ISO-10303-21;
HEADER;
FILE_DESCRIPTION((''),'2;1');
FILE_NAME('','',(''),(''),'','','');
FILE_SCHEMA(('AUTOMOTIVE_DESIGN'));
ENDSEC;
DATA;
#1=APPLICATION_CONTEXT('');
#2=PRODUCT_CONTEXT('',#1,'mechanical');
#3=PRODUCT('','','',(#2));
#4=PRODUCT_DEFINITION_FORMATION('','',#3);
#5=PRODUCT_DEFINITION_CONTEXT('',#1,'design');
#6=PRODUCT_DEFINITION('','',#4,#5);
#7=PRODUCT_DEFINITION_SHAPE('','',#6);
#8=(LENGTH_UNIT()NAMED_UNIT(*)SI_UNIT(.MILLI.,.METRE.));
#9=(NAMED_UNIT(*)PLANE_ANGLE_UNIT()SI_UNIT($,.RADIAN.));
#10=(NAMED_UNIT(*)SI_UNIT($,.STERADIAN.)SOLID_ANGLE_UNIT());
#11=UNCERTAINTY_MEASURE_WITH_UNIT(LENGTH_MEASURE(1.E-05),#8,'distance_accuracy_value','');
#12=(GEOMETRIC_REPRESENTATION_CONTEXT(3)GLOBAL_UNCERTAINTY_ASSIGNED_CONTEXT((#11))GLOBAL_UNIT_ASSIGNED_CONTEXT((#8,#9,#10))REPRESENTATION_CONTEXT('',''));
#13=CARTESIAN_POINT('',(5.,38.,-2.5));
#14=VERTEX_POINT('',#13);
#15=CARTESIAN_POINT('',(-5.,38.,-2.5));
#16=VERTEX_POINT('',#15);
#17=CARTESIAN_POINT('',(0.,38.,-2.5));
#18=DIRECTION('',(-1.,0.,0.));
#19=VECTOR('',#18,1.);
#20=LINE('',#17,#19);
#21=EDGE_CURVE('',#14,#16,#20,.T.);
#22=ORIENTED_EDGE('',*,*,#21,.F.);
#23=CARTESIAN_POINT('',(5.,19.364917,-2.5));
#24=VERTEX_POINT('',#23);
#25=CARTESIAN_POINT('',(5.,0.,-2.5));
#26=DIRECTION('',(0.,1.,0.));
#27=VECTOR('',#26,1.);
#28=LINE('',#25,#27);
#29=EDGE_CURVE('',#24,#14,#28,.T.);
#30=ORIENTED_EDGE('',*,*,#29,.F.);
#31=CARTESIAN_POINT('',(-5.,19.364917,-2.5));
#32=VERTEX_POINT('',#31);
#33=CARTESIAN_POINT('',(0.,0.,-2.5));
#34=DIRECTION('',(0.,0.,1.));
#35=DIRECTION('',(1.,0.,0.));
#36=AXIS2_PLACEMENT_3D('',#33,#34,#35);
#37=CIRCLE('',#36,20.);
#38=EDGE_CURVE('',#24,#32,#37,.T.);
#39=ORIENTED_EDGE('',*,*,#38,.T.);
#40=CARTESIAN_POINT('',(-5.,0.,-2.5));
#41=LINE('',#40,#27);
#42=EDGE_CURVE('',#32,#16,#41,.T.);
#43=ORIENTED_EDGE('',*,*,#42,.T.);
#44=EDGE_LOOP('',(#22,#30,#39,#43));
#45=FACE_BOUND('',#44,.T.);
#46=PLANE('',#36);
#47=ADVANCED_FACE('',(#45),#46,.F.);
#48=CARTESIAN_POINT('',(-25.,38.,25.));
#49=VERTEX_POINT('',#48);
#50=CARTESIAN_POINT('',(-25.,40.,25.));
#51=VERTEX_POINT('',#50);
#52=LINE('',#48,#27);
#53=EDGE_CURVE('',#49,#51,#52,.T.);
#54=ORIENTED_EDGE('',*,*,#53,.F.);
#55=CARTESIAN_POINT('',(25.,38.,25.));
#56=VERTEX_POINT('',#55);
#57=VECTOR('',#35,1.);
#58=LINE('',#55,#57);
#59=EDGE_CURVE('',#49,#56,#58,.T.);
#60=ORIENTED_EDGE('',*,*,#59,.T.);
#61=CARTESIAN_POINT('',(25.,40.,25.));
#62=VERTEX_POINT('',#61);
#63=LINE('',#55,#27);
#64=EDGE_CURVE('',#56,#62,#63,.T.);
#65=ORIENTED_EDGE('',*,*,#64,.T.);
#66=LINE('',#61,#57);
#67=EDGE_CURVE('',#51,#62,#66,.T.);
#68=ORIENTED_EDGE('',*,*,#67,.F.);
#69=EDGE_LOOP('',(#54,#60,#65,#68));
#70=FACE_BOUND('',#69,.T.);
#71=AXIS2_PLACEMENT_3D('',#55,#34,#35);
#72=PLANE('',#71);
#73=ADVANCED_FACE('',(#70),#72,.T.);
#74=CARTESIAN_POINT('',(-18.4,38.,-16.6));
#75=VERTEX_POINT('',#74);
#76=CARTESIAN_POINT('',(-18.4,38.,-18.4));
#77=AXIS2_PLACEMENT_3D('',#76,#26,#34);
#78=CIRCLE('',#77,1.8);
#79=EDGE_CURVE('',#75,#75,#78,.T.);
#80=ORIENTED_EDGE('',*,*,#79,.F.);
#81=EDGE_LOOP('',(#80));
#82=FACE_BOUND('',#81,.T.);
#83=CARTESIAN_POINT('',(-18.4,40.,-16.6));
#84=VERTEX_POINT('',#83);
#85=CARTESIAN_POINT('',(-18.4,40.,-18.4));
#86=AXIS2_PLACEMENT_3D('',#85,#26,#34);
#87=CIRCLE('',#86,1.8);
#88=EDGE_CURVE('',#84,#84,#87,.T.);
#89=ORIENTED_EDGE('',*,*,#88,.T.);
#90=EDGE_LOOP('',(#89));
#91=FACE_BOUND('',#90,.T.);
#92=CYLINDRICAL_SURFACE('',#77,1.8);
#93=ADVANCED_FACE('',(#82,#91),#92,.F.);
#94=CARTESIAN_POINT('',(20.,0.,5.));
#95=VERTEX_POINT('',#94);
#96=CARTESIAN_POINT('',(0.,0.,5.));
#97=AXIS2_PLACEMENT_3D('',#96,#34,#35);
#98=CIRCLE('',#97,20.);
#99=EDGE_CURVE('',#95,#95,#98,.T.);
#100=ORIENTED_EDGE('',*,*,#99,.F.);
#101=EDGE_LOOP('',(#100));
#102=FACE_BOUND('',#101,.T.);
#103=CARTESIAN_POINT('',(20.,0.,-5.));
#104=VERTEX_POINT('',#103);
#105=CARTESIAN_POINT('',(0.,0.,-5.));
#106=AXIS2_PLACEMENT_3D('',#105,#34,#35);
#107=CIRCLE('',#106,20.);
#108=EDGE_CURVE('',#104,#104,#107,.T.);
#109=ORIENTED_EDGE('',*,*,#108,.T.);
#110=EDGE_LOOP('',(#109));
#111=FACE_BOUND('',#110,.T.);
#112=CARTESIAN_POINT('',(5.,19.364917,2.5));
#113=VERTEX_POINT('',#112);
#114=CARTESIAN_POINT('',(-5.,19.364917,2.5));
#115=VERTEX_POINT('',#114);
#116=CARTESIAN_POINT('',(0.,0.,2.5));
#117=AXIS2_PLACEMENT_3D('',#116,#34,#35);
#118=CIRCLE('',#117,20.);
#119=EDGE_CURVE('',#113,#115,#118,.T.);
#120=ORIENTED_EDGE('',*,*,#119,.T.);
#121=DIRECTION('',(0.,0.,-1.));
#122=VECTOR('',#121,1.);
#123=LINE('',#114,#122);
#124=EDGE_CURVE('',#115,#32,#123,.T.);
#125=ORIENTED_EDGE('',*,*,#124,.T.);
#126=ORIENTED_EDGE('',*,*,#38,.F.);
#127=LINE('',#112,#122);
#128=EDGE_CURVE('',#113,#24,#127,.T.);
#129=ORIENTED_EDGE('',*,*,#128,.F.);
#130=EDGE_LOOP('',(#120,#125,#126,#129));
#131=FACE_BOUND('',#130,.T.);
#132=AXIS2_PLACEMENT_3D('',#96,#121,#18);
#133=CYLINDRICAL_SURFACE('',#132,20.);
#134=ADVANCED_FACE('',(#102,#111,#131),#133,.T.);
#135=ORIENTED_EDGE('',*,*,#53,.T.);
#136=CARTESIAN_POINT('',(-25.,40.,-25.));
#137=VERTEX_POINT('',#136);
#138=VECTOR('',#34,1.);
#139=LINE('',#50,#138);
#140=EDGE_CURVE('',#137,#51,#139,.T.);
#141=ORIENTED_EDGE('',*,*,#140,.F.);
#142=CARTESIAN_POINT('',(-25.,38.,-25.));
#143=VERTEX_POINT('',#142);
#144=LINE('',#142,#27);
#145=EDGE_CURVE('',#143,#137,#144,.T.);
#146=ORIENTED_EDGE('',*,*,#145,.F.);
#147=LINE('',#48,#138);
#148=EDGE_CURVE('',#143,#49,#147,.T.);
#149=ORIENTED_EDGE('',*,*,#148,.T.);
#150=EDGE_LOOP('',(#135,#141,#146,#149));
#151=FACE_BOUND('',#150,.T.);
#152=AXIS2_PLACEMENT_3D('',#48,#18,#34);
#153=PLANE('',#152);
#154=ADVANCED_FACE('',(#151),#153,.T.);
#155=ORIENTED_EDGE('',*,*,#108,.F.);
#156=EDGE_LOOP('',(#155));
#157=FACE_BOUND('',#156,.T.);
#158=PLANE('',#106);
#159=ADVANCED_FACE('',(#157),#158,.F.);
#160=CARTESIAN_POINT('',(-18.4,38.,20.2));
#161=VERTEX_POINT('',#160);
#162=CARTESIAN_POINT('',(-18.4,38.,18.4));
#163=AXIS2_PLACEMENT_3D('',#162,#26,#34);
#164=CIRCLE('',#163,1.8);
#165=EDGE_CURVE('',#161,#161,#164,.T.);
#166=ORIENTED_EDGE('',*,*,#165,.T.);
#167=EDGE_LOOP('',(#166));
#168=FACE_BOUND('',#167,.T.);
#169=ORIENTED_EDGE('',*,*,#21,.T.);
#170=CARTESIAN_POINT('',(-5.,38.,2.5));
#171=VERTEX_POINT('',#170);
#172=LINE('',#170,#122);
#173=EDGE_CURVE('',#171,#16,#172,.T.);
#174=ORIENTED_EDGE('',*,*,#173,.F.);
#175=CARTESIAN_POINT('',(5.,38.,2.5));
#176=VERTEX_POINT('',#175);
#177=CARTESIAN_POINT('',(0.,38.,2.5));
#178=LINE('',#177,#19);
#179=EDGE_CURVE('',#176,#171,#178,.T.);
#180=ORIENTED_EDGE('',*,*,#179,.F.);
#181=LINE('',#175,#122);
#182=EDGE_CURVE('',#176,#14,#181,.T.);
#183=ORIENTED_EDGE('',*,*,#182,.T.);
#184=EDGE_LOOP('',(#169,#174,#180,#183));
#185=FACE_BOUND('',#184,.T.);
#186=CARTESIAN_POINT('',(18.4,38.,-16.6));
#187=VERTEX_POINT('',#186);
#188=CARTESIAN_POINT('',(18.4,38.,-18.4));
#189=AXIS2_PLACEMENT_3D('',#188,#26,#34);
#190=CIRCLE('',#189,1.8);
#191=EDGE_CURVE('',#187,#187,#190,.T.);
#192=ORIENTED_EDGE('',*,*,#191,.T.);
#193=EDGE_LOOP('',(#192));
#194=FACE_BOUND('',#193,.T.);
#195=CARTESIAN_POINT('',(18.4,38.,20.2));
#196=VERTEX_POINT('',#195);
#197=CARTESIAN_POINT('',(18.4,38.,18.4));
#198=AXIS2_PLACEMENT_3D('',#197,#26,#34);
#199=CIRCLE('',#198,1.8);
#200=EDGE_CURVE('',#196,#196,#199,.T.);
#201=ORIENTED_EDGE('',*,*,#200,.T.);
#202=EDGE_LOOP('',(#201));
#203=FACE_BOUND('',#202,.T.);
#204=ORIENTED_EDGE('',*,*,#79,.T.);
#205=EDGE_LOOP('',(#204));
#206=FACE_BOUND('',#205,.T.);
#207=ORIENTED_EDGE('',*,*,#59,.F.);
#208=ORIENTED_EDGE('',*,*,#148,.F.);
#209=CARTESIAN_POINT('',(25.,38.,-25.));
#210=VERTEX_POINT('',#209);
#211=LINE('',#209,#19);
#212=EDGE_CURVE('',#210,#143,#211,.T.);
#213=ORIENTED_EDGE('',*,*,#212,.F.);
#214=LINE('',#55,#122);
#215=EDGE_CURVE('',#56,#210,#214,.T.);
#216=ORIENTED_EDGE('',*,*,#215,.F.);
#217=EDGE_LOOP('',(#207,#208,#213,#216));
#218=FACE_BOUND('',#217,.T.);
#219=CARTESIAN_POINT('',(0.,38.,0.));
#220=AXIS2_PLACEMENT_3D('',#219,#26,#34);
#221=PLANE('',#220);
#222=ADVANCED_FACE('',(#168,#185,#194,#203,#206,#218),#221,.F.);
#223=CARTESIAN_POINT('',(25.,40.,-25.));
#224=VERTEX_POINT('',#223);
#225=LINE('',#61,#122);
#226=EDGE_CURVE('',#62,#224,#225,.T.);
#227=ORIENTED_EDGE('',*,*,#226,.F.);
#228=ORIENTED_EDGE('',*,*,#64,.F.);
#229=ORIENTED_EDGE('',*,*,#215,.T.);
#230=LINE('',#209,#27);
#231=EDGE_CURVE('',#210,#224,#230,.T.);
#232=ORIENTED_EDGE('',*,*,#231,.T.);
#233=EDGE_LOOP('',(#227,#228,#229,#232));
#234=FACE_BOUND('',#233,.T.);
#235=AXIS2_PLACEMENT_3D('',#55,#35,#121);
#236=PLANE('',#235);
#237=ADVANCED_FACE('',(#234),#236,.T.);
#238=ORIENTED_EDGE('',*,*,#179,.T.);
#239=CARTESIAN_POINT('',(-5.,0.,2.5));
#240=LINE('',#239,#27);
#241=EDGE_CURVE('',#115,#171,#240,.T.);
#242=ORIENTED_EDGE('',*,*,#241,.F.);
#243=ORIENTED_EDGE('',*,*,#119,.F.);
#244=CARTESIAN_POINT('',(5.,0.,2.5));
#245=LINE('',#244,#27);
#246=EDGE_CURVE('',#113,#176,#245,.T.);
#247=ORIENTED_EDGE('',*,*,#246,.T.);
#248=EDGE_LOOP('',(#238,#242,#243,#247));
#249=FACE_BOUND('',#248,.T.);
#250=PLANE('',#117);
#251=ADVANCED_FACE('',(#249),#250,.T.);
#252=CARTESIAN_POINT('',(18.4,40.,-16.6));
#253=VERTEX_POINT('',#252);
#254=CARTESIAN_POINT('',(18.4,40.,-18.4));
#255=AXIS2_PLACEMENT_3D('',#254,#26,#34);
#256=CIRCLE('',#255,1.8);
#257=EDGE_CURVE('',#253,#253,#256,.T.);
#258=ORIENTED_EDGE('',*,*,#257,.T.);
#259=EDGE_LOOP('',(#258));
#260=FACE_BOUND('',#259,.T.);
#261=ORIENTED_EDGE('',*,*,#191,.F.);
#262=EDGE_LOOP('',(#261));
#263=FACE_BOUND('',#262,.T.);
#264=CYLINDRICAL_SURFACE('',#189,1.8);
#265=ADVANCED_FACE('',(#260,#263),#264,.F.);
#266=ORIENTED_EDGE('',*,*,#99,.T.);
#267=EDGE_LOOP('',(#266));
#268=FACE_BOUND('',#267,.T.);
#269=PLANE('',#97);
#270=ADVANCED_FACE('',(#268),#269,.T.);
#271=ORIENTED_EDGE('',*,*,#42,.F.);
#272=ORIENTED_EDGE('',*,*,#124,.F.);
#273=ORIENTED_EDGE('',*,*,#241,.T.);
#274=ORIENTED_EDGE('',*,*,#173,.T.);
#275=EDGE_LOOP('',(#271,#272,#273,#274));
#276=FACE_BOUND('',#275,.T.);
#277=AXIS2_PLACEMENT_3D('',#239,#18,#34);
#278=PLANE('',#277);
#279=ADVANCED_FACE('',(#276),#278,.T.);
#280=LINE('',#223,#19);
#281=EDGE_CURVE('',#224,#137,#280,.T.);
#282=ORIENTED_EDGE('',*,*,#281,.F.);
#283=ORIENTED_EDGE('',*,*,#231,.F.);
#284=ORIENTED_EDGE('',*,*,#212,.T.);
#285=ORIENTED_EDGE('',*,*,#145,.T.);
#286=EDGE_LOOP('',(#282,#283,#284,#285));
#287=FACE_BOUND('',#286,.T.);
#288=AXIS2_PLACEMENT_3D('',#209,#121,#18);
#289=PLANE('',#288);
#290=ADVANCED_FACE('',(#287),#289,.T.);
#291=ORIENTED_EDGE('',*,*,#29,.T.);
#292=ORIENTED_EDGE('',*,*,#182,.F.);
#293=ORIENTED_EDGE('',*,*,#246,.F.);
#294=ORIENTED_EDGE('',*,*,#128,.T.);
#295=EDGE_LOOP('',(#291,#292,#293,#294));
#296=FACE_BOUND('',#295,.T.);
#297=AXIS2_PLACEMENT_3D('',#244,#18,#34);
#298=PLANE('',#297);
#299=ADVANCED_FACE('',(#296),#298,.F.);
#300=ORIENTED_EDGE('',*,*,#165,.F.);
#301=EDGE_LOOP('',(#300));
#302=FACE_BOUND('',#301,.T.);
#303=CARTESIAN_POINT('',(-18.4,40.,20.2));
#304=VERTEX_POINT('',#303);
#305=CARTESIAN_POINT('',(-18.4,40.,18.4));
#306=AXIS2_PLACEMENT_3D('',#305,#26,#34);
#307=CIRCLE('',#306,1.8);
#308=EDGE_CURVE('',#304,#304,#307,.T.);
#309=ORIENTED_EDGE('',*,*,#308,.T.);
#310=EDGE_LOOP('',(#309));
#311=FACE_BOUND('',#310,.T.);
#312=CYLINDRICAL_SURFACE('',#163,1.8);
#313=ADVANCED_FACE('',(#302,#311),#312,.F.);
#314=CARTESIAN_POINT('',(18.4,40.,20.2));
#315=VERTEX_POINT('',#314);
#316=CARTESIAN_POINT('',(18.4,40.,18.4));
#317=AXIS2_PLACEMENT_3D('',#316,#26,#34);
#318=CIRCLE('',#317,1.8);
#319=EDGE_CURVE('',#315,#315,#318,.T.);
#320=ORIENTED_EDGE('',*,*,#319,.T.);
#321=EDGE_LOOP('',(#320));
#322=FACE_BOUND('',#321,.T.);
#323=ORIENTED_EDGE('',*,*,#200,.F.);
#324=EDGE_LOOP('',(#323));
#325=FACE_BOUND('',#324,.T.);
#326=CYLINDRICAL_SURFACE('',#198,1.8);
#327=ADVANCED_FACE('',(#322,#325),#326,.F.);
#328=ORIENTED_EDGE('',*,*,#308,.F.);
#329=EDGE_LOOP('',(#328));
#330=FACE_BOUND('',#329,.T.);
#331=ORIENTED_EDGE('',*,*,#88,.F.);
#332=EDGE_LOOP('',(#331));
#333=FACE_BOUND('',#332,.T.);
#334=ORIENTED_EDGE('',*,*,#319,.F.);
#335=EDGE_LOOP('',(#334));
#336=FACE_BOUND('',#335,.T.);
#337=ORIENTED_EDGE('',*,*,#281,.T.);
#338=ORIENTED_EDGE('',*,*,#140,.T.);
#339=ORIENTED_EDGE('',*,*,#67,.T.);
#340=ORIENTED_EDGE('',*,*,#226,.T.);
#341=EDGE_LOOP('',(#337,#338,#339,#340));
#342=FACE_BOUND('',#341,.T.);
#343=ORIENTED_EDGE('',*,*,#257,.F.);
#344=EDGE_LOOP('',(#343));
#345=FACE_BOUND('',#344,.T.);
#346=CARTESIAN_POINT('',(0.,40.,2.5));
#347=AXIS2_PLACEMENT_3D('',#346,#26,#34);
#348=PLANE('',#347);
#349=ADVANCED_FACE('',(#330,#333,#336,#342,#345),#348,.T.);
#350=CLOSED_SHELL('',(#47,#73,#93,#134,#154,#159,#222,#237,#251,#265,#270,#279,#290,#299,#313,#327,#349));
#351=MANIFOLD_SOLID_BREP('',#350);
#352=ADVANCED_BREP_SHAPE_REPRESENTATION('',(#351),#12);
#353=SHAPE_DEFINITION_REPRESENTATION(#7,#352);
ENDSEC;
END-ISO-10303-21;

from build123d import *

# Parameters (mm, degrees)
SKETCH_1_R      = 20
EXTRUDE_1_DEPTH = 5
SKETCH_2_R      = 20
SKETCH_2_W      = 10
SKETCH_2_H      = 40
EXTRUDE_2_DEPTH = 2.5
SKETCH_3_W      = 50
SKETCH_3_H      = 50
SKETCH_3_R      = 1.8
EXTRUDE_3_DEPTH = 2


with BuildPart() as part:
    # 草图1 → 凸台-拉伸1 (new body, symmetric)
    with BuildSketch(Plane.XY):
        Circle(SKETCH_1_R)
    extrude(amount=EXTRUDE_1_DEPTH, both=True)

    # 草图2 → 凸台-拉伸2 (add, symmetric)
    with BuildSketch(Plane.XY):
        Circle(SKETCH_2_R)
        with Locations((0, 20)):
            Rectangle(SKETCH_2_W, SKETCH_2_H)
    extrude(amount=EXTRUDE_2_DEPTH, both=True)

    # 草图3 → 凸台-拉伸3 (add)
    with BuildSketch(Plane(origin=(0, 40, 0), x_dir=(1, 0, 0), z_dir=(0, 1, 0))):
        Rectangle(SKETCH_3_W, SKETCH_3_H)
        with Locations((-18.4, 18.4)):
            Circle(SKETCH_3_R, mode=Mode.SUBTRACT)
        with Locations((18.4, 18.4)):
            Circle(SKETCH_3_R, mode=Mode.SUBTRACT)
        with Locations((18.4, -18.4)):
            Circle(SKETCH_3_R, mode=Mode.SUBTRACT)
        with Locations((-18.4, -18.4)):
            Circle(SKETCH_3_R, mode=Mode.SUBTRACT)
    extrude(amount=-EXTRUDE_3_DEPTH)


solid = part.part
